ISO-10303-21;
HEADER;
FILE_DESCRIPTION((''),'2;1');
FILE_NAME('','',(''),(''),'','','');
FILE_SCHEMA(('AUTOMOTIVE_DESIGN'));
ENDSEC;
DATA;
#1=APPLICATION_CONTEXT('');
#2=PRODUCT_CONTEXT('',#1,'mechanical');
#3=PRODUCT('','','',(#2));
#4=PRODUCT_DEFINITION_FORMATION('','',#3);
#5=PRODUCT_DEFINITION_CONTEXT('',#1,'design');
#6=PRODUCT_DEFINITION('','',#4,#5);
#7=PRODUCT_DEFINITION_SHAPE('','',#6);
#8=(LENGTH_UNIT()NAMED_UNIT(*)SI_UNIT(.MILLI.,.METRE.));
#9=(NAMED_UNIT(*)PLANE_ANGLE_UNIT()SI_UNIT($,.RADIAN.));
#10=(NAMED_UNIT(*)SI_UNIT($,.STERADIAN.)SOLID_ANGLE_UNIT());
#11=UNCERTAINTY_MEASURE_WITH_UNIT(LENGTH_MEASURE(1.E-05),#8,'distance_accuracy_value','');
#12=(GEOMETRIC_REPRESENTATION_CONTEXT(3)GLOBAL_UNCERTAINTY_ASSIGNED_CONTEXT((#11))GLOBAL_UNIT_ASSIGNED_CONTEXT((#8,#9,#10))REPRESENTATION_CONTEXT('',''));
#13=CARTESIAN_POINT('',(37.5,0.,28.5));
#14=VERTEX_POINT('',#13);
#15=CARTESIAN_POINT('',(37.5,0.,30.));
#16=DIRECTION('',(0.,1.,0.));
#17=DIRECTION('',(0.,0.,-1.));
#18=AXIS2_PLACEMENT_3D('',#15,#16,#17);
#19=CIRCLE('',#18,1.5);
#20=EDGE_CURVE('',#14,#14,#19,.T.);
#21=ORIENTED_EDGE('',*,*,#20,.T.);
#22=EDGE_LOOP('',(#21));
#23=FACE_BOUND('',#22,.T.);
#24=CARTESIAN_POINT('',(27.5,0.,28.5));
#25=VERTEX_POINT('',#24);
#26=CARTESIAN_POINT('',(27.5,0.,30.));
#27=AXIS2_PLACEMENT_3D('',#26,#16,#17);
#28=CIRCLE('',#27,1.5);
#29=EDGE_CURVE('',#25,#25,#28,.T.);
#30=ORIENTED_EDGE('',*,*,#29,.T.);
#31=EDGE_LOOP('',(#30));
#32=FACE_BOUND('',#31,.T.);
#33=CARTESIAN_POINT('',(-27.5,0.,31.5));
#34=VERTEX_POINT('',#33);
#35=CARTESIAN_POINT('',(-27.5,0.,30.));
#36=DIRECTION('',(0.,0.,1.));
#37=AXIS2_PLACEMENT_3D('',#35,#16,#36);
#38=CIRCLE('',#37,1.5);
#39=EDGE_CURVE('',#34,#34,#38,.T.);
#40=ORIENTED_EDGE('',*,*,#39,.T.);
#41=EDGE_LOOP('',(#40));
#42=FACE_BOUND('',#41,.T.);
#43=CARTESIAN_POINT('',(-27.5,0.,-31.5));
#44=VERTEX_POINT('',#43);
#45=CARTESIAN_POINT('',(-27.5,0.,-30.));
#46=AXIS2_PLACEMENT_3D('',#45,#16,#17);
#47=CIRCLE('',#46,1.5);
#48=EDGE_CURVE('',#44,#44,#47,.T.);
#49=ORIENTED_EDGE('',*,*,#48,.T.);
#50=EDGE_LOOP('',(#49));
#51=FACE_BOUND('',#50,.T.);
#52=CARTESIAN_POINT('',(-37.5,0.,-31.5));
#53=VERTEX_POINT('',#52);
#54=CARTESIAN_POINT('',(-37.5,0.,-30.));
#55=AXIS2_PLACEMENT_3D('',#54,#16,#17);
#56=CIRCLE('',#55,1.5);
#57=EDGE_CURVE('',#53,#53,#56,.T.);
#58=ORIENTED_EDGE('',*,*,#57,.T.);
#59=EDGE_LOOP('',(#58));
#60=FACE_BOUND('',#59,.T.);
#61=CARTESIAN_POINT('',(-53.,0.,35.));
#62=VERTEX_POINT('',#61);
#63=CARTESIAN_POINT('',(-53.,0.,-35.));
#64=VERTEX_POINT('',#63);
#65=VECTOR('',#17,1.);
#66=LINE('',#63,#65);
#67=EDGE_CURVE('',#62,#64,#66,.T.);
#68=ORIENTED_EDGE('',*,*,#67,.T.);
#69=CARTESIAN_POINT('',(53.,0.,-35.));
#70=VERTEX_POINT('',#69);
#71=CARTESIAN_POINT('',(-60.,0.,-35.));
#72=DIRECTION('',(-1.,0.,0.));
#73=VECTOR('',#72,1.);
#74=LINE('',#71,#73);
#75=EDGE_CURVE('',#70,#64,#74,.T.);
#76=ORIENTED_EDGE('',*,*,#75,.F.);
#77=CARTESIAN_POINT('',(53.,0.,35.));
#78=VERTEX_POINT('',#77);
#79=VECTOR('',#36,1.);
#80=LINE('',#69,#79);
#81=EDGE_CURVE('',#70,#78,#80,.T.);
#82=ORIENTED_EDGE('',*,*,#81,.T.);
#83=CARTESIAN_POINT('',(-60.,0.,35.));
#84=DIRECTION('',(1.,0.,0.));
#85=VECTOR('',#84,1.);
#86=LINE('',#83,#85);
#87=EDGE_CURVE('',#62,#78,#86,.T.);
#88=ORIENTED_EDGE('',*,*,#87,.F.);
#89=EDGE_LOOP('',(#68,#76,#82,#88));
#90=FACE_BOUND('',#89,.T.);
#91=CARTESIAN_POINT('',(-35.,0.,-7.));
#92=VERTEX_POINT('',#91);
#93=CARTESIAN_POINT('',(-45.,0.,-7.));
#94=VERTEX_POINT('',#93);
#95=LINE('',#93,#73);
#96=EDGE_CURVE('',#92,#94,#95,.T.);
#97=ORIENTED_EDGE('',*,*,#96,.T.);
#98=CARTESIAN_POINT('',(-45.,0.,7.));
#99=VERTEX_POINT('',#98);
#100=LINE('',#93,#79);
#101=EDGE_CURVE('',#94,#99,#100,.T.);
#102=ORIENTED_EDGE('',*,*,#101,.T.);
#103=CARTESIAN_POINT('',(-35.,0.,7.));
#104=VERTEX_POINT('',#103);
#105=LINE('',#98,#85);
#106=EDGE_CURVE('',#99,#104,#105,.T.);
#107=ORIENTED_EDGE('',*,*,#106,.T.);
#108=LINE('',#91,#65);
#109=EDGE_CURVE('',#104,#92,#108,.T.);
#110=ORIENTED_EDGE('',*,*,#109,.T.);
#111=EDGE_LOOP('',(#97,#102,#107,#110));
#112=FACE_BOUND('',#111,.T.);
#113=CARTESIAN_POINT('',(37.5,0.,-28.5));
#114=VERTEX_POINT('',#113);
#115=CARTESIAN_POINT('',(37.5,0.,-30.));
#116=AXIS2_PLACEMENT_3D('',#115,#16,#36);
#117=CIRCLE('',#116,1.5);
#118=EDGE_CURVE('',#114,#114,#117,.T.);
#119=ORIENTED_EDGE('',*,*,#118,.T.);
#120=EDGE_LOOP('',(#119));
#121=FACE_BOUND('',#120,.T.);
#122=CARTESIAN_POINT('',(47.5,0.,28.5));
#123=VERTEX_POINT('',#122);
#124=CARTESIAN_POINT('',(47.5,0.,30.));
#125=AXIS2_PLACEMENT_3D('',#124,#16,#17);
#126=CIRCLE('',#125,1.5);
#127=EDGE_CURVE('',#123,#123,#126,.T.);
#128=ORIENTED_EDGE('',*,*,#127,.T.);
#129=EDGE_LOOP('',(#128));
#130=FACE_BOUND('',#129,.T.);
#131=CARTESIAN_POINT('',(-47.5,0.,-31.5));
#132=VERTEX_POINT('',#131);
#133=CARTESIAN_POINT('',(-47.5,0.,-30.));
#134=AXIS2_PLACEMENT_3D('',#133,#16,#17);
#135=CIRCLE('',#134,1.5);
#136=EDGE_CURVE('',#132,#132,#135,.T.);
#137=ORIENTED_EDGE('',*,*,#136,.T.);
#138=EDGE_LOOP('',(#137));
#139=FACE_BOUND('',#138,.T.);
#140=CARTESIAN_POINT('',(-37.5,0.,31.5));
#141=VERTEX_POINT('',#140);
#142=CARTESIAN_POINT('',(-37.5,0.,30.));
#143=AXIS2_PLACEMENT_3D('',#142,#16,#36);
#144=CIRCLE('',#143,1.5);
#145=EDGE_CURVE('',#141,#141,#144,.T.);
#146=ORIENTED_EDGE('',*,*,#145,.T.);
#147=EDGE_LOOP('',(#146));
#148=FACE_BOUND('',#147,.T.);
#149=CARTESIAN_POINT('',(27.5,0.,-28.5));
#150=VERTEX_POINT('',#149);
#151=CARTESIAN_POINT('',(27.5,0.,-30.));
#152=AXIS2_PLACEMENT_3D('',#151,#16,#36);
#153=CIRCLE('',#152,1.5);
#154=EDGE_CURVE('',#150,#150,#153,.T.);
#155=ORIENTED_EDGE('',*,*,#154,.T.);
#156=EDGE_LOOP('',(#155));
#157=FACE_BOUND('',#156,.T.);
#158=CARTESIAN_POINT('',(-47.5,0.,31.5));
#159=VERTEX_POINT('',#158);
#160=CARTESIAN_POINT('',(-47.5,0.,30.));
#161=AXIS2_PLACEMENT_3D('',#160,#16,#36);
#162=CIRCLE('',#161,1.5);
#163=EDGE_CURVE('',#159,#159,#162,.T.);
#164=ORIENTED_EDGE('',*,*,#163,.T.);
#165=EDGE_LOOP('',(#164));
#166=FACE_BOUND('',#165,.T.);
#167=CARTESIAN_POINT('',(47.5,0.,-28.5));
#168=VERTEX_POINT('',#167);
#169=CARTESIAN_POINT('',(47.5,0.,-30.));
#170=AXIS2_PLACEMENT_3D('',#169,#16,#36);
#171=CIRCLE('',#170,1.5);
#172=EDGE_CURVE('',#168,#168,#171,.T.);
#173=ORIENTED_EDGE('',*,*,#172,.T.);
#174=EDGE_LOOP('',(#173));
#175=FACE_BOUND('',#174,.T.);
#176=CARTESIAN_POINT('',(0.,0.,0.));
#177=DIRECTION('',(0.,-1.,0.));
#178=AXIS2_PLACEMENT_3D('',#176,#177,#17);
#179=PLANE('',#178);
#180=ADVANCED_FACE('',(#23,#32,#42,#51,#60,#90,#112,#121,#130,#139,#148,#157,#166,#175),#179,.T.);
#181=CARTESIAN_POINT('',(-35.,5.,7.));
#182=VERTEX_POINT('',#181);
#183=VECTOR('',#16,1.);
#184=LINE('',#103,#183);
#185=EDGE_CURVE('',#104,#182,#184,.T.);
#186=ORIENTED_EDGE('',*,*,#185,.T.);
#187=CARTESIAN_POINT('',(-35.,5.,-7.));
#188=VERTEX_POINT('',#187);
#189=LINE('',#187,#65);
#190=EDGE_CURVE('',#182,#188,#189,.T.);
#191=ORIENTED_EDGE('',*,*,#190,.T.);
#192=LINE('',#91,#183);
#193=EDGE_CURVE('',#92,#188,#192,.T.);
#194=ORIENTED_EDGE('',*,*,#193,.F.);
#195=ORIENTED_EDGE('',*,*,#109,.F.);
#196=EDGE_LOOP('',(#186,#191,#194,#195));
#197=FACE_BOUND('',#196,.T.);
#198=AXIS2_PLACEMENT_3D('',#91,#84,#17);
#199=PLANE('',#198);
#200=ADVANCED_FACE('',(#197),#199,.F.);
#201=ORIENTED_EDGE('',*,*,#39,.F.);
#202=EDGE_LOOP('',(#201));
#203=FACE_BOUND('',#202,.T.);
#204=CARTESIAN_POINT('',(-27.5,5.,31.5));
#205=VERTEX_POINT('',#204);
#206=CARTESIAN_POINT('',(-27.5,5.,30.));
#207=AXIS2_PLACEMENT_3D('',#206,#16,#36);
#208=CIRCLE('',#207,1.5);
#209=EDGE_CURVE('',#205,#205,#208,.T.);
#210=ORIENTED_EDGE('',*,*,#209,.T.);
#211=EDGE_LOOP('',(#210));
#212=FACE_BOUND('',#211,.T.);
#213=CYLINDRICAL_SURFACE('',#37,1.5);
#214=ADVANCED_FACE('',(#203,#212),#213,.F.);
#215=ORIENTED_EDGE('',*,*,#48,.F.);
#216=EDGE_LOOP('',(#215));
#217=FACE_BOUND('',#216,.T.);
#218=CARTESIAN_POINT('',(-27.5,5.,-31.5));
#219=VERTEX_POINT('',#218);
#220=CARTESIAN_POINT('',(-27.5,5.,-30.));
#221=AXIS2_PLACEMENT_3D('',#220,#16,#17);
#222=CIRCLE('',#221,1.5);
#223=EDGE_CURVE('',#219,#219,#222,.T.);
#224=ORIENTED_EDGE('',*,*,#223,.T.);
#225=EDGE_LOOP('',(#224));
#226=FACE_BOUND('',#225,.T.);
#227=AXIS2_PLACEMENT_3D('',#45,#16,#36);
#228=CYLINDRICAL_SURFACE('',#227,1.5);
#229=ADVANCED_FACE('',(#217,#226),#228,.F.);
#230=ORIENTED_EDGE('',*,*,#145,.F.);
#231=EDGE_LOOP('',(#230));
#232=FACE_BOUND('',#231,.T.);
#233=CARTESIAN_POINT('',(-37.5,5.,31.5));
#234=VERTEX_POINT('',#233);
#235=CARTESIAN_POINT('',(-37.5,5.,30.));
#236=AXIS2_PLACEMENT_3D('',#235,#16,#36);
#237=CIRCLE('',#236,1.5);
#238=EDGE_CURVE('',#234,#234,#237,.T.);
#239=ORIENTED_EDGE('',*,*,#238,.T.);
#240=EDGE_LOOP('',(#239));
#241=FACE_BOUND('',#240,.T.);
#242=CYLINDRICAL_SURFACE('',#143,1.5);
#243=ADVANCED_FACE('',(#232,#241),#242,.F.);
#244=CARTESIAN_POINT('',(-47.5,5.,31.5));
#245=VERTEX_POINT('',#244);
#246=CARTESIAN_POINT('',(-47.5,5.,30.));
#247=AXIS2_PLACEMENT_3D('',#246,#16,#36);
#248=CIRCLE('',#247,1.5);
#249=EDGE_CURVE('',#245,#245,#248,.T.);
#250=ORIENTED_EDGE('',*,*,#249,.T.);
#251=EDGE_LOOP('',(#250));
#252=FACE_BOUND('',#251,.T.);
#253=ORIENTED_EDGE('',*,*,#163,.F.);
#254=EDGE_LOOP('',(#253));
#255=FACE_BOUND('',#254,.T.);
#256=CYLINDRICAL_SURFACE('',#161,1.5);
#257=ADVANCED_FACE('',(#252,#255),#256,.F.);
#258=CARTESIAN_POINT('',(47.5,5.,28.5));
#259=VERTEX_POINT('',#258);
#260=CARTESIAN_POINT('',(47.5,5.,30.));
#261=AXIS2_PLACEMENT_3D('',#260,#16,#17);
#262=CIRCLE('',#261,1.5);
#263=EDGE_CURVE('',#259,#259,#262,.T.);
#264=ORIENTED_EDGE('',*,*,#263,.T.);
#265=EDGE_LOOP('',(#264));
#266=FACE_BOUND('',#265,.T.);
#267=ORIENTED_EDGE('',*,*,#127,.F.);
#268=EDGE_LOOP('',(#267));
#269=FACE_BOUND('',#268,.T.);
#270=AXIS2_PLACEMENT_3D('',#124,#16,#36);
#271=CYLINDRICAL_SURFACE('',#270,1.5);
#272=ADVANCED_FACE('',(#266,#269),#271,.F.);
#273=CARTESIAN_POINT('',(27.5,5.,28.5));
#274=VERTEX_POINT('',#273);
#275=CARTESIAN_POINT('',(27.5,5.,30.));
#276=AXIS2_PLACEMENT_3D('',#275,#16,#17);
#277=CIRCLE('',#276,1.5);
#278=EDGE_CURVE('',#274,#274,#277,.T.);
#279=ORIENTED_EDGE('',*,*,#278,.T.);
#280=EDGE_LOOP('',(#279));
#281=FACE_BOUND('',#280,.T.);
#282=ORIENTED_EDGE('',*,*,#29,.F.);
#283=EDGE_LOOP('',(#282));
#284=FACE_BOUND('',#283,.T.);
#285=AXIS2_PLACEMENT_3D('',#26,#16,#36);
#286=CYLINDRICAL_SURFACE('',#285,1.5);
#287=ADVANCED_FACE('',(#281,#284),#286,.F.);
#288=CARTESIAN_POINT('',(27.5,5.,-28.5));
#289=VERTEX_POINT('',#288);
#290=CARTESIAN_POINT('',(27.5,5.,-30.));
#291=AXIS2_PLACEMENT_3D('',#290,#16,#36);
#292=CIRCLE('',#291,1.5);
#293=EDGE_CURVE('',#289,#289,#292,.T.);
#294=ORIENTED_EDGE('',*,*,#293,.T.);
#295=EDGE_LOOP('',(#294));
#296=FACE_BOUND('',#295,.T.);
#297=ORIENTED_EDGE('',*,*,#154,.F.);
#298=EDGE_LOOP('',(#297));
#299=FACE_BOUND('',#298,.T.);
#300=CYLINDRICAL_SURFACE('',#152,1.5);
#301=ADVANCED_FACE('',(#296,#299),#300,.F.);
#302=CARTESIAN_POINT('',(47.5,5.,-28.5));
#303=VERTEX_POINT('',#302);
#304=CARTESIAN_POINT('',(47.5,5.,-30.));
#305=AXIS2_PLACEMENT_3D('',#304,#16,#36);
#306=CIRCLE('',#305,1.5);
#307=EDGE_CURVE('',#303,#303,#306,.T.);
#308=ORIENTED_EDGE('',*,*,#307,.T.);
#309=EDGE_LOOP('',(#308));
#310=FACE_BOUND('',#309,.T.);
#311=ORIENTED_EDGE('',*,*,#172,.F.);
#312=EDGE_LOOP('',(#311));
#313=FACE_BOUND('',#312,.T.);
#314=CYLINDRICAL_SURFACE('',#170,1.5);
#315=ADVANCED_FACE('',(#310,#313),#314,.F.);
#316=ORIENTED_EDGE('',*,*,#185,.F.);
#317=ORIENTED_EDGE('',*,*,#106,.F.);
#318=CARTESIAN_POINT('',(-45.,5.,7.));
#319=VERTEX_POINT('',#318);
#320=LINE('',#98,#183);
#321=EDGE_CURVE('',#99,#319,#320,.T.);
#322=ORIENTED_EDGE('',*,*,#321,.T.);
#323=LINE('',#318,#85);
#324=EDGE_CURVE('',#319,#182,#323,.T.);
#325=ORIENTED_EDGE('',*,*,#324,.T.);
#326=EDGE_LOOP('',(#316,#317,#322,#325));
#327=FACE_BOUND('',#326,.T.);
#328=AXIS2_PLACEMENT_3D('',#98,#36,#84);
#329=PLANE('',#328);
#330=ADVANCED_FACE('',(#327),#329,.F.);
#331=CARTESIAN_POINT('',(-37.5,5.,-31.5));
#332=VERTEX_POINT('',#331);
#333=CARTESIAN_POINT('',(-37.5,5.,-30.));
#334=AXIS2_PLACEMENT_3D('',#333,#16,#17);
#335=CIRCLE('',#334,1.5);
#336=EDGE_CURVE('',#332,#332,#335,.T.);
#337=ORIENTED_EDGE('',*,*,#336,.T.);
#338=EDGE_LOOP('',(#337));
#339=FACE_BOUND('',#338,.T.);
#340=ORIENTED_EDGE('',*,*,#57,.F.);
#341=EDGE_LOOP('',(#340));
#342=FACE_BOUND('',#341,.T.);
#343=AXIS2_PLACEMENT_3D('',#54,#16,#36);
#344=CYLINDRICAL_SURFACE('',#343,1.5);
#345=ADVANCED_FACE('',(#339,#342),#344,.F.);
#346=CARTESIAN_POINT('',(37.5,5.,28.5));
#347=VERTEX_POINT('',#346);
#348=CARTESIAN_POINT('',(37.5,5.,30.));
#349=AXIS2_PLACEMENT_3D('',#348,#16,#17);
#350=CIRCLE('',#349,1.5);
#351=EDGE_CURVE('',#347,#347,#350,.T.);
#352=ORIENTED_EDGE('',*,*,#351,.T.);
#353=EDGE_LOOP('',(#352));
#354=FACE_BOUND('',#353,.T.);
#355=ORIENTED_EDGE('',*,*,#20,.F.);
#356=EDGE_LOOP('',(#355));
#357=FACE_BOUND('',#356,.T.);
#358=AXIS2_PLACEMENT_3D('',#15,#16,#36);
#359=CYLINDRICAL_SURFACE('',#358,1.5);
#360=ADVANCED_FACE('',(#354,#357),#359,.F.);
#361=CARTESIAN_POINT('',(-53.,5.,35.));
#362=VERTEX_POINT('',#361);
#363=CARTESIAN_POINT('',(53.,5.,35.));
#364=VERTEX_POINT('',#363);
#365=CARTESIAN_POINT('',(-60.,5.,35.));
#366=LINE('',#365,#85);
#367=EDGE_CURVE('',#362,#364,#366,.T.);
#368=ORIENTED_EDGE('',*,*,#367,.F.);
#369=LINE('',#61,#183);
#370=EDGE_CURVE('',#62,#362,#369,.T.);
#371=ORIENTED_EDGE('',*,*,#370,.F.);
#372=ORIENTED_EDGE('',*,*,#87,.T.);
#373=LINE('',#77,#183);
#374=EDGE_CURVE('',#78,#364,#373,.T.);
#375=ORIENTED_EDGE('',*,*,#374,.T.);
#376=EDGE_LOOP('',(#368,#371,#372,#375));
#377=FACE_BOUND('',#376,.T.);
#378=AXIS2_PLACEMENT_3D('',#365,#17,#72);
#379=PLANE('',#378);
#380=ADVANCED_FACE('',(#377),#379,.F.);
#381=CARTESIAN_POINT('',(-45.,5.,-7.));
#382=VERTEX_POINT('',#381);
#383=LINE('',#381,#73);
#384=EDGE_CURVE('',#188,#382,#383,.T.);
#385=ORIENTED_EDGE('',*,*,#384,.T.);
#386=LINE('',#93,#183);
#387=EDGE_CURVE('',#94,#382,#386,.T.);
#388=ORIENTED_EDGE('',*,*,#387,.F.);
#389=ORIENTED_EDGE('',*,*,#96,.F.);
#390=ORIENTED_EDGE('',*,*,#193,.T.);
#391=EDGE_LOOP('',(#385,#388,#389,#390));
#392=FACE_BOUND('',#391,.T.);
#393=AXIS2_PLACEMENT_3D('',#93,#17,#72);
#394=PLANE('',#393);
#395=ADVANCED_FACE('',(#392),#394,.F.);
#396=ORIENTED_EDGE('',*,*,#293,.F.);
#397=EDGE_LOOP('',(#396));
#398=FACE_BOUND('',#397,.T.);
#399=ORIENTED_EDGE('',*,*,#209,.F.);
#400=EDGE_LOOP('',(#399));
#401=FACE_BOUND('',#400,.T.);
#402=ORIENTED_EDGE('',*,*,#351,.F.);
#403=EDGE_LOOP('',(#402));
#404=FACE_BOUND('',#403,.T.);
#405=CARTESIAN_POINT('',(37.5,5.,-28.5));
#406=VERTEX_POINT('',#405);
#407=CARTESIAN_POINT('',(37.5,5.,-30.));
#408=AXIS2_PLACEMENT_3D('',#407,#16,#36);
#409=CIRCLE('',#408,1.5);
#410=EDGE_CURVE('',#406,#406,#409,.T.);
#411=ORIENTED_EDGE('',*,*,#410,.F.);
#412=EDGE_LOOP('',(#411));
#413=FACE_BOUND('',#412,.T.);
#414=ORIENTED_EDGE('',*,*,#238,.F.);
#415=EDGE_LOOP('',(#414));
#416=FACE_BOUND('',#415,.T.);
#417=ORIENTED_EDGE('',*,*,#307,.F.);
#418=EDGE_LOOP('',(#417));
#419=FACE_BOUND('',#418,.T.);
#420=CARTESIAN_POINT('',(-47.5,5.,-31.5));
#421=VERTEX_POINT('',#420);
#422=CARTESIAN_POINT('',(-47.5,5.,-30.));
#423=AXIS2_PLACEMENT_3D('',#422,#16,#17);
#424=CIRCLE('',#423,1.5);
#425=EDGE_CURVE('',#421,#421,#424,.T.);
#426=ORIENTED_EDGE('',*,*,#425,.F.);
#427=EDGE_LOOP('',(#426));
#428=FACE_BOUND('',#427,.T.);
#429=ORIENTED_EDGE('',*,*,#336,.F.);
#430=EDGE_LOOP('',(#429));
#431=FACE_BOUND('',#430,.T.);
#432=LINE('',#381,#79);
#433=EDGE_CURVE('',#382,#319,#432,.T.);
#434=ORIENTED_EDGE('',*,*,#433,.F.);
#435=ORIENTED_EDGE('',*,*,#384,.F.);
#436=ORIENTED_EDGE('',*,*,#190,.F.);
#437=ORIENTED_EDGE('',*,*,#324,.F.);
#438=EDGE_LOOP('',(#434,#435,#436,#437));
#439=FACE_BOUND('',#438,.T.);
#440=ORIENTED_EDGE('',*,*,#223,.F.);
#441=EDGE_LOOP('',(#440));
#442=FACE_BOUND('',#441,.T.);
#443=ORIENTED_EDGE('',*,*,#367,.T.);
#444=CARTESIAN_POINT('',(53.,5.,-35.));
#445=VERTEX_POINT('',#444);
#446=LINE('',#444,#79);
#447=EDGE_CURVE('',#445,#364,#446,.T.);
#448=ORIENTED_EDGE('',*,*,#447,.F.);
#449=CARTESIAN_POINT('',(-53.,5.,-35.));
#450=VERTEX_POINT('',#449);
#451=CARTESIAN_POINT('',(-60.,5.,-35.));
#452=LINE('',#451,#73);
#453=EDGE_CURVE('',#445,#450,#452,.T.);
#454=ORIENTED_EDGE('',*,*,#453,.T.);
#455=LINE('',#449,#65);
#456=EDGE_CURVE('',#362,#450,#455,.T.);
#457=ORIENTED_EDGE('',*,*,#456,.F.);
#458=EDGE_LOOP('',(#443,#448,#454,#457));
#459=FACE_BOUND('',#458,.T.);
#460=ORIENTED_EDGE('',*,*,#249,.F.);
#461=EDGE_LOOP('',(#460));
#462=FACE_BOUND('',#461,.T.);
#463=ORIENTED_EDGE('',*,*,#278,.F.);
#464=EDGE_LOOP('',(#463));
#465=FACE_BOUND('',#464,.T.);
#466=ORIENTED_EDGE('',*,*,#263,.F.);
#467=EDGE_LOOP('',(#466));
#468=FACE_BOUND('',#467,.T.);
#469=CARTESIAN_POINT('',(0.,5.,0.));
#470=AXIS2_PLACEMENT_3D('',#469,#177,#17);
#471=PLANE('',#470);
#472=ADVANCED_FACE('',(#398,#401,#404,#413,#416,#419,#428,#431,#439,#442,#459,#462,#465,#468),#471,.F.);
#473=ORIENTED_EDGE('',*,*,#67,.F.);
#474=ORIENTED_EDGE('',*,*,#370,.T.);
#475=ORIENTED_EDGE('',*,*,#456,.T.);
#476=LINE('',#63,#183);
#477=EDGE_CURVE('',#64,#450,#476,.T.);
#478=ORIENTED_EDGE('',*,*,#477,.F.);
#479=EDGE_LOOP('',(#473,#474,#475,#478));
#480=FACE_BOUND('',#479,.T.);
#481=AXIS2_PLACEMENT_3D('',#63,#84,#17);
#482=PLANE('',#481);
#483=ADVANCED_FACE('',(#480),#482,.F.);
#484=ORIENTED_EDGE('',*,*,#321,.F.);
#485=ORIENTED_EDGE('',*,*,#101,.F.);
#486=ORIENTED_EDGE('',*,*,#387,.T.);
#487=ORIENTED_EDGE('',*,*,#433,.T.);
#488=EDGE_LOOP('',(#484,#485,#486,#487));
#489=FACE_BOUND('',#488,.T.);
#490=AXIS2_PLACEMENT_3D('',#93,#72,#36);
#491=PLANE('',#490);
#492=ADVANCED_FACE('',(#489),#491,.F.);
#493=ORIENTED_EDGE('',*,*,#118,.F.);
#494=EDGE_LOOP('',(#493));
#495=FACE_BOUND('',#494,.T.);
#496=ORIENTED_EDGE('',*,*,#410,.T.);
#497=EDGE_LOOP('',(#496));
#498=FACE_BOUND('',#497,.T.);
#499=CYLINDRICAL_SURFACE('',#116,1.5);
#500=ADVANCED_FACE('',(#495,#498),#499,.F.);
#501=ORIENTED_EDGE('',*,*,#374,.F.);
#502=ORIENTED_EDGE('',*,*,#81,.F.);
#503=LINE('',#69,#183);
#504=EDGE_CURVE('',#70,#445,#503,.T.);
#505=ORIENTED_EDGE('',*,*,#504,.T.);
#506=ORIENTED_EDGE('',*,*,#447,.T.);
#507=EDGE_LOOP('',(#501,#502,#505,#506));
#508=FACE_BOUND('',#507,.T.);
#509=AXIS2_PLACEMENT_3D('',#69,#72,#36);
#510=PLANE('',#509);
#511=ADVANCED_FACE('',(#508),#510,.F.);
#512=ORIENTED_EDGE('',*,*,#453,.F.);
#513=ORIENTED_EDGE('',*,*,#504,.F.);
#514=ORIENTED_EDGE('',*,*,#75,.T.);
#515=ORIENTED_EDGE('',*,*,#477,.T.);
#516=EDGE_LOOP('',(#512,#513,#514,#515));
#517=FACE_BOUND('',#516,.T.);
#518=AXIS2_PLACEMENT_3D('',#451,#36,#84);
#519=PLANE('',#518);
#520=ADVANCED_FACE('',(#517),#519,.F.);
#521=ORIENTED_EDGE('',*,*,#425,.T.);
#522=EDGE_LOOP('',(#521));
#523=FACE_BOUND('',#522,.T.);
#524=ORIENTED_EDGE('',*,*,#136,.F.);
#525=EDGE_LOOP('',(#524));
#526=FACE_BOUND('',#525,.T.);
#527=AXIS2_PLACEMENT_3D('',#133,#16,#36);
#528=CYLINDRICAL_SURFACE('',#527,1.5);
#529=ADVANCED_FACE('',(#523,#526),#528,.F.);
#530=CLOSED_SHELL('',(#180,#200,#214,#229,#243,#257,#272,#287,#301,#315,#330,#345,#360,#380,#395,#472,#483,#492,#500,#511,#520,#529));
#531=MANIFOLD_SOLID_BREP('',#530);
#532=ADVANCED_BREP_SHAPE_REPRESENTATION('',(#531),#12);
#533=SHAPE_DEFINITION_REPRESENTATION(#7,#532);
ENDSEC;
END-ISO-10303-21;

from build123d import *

# Parameters (mm, degrees)
SKETCH1_W               = 120
SKETCH1_H               = 70
BOSS_EXTRUDE1_DEPTH     = 5
CUT_EXTRUDE1_DEPTH      = 70.641941386
CUT_EXTRUDE1_DEPTH_BACK = 70.641941386
SKETCH2_W               = 10
SKETCH2_H               = 14
CUT_EXTRUDE2_DEPTH      = 70.641941386
CUT_EXTRUDE2_DEPTH_BACK = 70.641941386
SKETCH3_W               = 7
SKETCH3_H               = 70
CUT_EXTRUDE3_DEPTH      = 64.710281745
CUT_EXTRUDE3_DEPTH_BACK = 64.710281745
SKETCH4_R               = 1.5


with BuildPart() as part:
    # Sketch1 → Boss-Extrude1 (new body)
    with BuildSketch(Plane(origin=(0, 0, 0), x_dir=(1, 0, 0), z_dir=(0, 1, 0))):
        Rectangle(SKETCH1_W, SKETCH1_H)
    extrude(amount=BOSS_EXTRUDE1_DEPTH)

    # Sketch2 → Cut-Extrude1 (cut, two sides: drawn at the far end of the back side and taken through both)
    with BuildSketch(Plane(origin=(0, 5, 0), x_dir=(1, 0, 0), z_dir=(0, 1, 0)).offset(-CUT_EXTRUDE1_DEPTH_BACK)):
        with Locations((-40, 0)):
            Rectangle(SKETCH2_W, SKETCH2_H)
    extrude(amount=CUT_EXTRUDE1_DEPTH + CUT_EXTRUDE1_DEPTH_BACK, mode=Mode.SUBTRACT)

    # Sketch3 → Cut-Extrude2 (cut, two sides: drawn at the far end of the back side and taken through both)
    with BuildSketch(Plane(origin=(0, 5, 0), x_dir=(1, 0, 0), z_dir=(0, 1, 0)).offset(-CUT_EXTRUDE2_DEPTH_BACK)):
        with Locations((56.5, 0)):
            Rectangle(SKETCH3_W, SKETCH3_H)
        with Locations((-56.5, 0)):
            Rectangle(SKETCH3_W, SKETCH3_H)
    extrude(amount=CUT_EXTRUDE2_DEPTH + CUT_EXTRUDE2_DEPTH_BACK, mode=Mode.SUBTRACT)

    # Sketch4 → Cut-Extrude3 (cut, two sides: drawn at the far end of the back side and taken through both)
    with BuildSketch(Plane(origin=(0, 5, 0), x_dir=(1, 0, 0), z_dir=(0, 1, 0)).offset(-CUT_EXTRUDE3_DEPTH_BACK)):
        with Locations(Location((-37.5, -30, 0), (0, 0, 270))):
            Circle(SKETCH4_R)
        with Locations(Location((-27.5, -30, 0), (0, 0, 270))):
            Circle(SKETCH4_R)
        with Locations(Location((-47.5, -30, 0), (0, 0, 270))):
            Circle(SKETCH4_R)
        with Locations(Location((27.5, -30, 0), (0, 0, 90))):
            Circle(SKETCH4_R)
        with Locations(Location((47.5, -30, 0), (0, 0, 90))):
            Circle(SKETCH4_R)
        with Locations(Location((37.5, -30, 0), (0, 0, 90))):
            Circle(SKETCH4_R)
        with Locations(Location((47.5, 30, 0), (0, 0, 270))):
            Circle(SKETCH4_R)
        with Locations(Location((37.5, 30, 0), (0, 0, 270))):
            Circle(SKETCH4_R)
        with Locations(Location((27.5, 30, 0), (0, 0, 270))):
            Circle(SKETCH4_R)
        with Locations(Location((-27.5, 30, 0), (0, 0, 90))):
            Circle(SKETCH4_R)
        with Locations(Location((-37.5, 30, 0), (0, 0, 90))):
            Circle(SKETCH4_R)
        with Locations(Location((-47.5, 30, 0), (0, 0, 90))):
            Circle(SKETCH4_R)
    extrude(amount=CUT_EXTRUDE3_DEPTH + CUT_EXTRUDE3_DEPTH_BACK, mode=Mode.SUBTRACT)


solid = part.part
